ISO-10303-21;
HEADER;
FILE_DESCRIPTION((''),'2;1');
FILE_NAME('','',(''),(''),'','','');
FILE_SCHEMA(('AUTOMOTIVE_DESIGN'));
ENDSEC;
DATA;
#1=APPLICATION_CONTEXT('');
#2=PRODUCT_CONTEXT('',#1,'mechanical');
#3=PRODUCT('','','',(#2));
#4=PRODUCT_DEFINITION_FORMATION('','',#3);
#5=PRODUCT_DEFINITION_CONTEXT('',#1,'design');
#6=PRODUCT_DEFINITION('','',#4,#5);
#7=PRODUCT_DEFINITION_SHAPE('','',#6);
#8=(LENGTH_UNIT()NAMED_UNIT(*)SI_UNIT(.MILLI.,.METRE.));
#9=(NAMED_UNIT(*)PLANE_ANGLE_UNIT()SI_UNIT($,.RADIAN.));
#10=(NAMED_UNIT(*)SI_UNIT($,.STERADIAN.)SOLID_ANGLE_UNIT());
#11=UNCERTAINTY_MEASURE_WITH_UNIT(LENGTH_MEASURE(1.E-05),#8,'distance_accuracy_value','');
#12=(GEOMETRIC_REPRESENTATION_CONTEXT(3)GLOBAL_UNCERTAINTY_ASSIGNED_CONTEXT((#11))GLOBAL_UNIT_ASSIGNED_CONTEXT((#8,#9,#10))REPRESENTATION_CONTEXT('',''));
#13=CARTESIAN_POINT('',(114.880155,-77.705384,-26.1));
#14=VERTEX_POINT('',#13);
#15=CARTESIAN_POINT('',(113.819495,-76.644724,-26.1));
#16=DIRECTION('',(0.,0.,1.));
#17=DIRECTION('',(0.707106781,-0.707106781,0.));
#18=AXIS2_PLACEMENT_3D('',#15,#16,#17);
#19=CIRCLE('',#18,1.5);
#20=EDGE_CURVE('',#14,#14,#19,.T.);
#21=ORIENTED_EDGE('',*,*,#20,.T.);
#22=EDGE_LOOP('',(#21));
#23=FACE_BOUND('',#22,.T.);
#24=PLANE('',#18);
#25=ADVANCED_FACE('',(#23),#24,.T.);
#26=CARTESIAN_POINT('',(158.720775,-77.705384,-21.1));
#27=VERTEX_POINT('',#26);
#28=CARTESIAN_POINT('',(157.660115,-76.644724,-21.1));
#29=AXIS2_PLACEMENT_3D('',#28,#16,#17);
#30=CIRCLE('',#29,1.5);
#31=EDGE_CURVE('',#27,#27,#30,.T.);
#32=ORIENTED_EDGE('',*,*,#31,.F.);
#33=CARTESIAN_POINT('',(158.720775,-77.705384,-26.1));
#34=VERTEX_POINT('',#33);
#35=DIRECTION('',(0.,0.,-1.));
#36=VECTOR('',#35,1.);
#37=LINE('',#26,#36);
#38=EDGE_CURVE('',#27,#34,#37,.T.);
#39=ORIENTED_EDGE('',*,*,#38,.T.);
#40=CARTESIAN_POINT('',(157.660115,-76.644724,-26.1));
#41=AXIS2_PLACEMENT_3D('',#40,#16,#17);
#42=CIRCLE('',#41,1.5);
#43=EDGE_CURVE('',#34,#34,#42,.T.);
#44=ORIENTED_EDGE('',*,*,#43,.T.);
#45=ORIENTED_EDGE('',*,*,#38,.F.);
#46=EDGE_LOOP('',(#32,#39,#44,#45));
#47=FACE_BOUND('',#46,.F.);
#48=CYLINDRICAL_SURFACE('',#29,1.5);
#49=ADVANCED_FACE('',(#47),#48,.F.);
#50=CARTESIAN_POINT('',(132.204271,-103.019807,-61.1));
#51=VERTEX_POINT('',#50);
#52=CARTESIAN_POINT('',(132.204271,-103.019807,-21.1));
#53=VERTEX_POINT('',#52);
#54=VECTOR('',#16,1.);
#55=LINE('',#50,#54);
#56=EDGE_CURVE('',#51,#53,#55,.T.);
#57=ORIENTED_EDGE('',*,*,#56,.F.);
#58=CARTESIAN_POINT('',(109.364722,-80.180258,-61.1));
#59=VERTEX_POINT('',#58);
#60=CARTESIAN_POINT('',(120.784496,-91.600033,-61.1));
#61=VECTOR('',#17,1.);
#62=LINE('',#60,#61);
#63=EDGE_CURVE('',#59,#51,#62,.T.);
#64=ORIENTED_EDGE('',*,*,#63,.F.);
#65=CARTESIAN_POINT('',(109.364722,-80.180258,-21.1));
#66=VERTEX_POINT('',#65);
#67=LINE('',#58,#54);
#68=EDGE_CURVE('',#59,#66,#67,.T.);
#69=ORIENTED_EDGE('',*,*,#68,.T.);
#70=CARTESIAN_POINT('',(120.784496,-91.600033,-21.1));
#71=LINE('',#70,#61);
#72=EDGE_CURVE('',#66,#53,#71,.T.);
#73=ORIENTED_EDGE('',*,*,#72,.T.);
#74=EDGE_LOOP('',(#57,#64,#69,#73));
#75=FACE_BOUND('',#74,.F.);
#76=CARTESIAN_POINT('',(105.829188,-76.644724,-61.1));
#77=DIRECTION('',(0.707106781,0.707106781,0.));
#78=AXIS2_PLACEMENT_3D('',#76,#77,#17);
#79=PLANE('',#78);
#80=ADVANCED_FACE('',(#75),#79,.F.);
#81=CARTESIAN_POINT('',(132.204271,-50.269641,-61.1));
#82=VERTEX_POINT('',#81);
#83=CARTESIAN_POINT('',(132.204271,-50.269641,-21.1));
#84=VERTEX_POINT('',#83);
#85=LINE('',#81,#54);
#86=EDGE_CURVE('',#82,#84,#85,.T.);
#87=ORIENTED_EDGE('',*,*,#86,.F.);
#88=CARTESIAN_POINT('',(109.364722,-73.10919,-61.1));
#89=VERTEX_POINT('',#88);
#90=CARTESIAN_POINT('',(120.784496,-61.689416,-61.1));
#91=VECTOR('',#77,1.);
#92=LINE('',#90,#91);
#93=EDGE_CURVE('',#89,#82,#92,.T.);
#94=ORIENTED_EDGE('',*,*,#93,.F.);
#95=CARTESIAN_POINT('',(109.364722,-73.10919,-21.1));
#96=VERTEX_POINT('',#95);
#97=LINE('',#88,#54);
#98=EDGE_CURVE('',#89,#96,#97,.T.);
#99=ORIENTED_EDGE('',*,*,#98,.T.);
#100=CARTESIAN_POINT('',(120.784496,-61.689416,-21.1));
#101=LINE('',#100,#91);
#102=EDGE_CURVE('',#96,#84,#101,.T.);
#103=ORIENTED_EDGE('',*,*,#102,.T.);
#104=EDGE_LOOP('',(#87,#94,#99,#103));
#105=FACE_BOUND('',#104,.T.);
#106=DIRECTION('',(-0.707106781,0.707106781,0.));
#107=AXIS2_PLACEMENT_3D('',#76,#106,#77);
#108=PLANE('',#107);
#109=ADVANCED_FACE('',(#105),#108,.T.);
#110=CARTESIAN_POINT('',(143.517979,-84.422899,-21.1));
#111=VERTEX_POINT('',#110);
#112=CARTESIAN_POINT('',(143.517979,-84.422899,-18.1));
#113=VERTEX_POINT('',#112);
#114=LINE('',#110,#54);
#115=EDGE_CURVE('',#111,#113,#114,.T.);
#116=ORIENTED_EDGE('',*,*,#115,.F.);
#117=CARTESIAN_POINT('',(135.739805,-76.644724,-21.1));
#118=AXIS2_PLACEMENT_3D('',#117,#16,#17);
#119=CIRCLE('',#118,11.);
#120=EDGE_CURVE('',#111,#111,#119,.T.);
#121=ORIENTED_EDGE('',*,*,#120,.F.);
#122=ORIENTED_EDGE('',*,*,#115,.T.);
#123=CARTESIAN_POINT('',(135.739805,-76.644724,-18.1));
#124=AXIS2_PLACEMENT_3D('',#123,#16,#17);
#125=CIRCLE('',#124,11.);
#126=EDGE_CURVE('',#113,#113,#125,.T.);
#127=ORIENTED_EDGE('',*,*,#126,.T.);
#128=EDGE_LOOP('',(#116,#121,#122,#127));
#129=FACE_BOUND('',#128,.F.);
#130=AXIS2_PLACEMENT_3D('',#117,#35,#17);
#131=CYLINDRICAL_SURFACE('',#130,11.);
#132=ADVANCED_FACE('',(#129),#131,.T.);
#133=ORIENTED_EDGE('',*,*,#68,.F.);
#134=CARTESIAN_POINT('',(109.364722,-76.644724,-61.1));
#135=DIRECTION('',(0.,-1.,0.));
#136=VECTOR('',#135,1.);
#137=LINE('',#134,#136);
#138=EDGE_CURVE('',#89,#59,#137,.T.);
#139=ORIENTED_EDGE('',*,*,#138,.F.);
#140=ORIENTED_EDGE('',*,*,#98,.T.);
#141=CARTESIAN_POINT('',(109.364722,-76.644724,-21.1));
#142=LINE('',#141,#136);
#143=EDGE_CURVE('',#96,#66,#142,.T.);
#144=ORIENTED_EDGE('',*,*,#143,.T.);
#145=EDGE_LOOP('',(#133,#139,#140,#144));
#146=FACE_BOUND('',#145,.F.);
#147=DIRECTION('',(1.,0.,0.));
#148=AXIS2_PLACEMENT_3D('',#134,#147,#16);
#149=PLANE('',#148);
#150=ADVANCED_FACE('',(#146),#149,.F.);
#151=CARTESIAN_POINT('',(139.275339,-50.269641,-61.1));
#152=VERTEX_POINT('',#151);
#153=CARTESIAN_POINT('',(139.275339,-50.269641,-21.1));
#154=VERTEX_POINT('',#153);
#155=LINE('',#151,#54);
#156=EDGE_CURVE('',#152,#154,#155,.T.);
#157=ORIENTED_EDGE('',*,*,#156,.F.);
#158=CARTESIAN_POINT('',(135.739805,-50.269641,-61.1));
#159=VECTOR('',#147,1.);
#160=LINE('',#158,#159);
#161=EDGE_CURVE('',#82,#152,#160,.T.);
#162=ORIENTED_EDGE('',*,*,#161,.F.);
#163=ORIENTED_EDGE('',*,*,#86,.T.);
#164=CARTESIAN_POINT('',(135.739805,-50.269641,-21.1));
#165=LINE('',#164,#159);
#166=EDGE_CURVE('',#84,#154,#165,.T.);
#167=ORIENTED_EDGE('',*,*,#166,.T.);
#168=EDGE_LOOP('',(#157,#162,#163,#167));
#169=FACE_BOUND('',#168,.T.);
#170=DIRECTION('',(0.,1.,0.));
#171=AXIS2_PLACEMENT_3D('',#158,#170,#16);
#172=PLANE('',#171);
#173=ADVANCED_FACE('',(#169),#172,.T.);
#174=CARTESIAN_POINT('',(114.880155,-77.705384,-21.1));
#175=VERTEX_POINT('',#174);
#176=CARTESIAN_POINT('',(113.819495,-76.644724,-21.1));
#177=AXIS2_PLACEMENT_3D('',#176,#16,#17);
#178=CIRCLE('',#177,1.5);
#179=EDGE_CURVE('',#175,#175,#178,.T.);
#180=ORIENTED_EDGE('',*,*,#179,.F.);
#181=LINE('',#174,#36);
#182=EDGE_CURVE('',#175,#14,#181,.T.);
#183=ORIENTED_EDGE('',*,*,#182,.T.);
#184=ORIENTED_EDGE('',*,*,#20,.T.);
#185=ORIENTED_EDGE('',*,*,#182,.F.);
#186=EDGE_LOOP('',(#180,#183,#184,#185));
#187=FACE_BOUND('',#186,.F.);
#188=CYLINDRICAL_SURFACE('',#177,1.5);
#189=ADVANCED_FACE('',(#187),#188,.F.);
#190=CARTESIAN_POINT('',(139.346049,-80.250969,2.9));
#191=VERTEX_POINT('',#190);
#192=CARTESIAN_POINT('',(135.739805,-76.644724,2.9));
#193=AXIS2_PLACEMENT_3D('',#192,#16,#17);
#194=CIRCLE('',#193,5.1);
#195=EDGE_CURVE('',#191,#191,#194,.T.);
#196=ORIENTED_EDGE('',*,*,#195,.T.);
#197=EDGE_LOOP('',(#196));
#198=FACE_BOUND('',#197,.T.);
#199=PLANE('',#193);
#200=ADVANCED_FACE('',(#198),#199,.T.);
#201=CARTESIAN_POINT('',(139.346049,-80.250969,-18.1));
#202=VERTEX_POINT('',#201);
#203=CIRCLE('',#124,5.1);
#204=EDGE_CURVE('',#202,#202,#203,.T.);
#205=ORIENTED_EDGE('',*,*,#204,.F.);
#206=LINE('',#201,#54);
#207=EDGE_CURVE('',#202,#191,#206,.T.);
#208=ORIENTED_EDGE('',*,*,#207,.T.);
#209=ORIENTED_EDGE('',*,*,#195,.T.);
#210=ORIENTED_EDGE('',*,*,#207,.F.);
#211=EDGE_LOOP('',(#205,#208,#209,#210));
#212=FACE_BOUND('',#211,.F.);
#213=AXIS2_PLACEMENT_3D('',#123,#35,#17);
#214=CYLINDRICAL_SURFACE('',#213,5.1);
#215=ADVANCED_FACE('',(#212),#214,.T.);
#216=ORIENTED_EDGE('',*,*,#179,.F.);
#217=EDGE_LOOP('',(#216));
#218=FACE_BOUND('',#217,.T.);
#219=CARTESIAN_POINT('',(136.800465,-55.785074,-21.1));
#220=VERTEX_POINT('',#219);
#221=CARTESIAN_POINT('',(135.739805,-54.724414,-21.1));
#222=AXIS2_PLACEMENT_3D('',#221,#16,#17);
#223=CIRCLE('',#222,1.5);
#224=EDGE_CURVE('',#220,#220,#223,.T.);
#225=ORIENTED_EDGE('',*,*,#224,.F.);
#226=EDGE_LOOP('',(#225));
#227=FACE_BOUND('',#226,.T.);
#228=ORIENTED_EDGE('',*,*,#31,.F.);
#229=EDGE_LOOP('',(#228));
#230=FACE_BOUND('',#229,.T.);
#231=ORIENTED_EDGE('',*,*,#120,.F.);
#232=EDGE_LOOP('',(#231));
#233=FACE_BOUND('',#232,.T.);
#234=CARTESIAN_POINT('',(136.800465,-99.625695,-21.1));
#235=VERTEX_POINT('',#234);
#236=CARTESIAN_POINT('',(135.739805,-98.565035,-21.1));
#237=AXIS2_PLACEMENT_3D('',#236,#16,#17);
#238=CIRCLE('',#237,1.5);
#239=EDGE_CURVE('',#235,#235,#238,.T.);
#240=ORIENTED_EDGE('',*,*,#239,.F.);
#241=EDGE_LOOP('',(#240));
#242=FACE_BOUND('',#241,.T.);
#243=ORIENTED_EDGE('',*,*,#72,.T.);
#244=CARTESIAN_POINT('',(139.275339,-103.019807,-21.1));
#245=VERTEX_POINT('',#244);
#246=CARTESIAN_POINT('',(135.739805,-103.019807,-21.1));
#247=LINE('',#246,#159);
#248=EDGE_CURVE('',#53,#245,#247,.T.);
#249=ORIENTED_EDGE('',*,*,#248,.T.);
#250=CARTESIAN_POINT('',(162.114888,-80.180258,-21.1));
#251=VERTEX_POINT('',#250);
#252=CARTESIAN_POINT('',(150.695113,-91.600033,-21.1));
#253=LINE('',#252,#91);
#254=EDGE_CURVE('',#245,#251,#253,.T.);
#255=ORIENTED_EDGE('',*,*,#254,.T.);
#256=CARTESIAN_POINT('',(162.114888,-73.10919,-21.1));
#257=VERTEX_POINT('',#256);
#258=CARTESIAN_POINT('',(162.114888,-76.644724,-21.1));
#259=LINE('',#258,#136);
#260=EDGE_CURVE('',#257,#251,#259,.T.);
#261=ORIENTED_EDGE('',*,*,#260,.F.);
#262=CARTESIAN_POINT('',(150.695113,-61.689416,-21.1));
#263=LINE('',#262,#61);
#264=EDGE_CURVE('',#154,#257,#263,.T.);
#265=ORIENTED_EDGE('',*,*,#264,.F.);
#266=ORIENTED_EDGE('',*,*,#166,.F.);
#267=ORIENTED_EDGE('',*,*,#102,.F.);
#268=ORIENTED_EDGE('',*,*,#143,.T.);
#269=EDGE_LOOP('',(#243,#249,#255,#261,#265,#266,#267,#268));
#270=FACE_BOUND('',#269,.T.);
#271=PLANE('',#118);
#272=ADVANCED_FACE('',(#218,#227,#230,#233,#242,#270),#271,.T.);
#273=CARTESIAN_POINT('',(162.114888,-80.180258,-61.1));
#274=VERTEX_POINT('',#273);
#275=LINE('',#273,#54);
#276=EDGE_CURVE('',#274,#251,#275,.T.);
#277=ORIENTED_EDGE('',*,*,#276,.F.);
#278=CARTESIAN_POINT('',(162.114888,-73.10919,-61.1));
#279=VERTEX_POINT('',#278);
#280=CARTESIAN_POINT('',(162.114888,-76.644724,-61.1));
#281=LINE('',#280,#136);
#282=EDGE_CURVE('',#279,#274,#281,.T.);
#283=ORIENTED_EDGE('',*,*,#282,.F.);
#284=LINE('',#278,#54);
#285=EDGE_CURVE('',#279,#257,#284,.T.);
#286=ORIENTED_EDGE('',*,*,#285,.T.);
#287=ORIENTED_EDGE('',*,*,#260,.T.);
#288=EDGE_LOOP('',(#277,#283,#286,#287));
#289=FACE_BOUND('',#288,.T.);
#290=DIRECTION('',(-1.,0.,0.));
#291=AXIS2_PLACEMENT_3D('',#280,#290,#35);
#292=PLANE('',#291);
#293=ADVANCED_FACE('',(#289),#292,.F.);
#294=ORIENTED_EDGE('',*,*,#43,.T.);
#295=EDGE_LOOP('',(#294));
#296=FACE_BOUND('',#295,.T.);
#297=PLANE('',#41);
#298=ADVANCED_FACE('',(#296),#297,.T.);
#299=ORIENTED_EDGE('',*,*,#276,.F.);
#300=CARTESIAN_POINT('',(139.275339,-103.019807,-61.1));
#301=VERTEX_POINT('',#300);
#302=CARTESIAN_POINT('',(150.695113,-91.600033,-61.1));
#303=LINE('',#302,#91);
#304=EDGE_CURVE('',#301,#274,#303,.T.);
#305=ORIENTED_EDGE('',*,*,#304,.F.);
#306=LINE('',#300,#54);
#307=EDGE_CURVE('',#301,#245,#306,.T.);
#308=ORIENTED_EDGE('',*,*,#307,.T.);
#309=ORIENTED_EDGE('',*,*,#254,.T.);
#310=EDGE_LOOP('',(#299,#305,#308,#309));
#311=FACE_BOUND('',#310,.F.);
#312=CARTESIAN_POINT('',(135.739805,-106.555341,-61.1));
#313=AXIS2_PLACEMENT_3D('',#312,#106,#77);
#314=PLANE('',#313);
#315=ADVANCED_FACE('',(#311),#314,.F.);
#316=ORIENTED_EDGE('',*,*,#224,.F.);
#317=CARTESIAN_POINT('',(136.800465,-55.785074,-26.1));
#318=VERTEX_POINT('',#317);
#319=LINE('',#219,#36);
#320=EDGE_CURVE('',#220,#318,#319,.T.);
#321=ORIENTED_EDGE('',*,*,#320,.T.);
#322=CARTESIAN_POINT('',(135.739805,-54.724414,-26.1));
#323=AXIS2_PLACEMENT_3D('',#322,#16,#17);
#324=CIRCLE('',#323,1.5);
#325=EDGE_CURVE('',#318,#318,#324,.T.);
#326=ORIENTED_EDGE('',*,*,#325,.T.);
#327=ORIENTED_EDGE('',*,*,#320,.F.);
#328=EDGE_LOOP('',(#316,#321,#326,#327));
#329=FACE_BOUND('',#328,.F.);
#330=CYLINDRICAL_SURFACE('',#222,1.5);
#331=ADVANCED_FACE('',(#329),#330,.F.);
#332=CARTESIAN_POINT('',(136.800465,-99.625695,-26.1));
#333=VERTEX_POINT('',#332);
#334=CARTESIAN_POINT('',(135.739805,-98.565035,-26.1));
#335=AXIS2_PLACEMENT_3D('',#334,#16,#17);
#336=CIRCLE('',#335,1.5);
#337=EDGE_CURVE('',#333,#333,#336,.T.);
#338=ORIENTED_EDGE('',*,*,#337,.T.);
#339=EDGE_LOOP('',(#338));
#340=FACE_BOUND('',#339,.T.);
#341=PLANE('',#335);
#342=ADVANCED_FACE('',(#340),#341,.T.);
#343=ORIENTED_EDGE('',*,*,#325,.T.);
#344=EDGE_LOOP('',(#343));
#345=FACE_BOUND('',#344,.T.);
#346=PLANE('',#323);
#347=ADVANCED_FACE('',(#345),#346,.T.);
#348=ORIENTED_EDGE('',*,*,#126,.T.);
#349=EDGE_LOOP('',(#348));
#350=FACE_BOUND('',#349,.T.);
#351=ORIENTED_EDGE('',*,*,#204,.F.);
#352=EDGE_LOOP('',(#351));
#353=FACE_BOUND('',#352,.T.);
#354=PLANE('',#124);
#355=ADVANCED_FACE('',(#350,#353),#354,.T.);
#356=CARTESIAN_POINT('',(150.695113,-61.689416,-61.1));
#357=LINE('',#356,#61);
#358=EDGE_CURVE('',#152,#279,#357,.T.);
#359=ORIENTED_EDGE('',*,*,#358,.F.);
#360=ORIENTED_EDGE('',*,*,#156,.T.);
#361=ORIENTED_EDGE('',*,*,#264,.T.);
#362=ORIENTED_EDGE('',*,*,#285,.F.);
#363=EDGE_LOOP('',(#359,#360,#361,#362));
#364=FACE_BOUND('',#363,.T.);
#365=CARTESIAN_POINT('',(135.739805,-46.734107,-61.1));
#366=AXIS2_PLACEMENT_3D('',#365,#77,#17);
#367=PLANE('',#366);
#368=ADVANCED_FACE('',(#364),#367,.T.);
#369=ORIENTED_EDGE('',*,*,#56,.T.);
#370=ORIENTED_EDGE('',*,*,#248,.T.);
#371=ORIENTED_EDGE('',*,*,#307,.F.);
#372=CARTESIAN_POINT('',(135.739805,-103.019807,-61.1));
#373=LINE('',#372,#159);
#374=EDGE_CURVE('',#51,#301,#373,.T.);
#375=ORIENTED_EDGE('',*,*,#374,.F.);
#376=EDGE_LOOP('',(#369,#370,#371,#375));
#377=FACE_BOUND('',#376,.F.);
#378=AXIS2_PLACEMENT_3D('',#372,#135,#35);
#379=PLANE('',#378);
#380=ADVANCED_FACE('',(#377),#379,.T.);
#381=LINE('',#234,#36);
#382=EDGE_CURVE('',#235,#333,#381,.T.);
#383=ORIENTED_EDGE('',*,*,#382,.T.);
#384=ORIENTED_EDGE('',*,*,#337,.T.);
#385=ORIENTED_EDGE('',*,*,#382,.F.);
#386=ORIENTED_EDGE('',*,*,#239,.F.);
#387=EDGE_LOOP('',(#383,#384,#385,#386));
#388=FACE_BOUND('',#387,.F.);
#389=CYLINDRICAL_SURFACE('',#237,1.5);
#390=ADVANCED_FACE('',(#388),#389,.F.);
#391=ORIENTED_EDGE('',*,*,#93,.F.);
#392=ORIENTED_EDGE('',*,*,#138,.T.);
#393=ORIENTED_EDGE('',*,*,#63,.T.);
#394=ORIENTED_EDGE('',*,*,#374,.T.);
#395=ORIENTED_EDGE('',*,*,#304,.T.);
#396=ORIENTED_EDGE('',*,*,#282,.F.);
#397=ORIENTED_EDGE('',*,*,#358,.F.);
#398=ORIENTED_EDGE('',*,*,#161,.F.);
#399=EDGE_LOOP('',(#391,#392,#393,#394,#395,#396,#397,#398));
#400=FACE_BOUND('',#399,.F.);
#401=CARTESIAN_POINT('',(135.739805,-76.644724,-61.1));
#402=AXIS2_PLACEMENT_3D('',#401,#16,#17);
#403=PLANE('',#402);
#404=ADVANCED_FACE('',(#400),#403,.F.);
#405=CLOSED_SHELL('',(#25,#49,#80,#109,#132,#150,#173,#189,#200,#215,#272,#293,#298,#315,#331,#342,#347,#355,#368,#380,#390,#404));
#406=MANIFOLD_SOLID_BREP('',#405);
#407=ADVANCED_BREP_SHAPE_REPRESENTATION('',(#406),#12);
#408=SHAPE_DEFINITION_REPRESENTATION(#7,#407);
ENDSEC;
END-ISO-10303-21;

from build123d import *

# Parameters (mm, degrees)
SKETCH018_W             = 42.3
SKETCH018_H             = 42.3
PAD005_DEPTH            = 40
SKETCH019_R             = 11
PAD006_DEPTH            = 3
SKETCH020_R             = 5.1
PAD007_DEPTH            = 21
SKETCH022_R             = 1.5
POCKET011_DEPTH         = 5
CHAMFER001_SIZE         = 5
BODY006_PLACEMENT_ANGLE = 45


with BuildPart() as part:
    # Sketch018 → Pad005 (new body)
    with BuildSketch(Plane.XY):
        Rectangle(SKETCH018_W, SKETCH018_H)
    extrude(amount=PAD005_DEPTH)

    # Sketch019 (on Face6 of Pad005) → Pad006 (join)
    with BuildSketch(Plane.XY.offset(40)):
        Circle(SKETCH019_R)
    extrude(amount=PAD006_DEPTH)

    # Sketch020 (on Face8 of Pad006) → Pad007 (join)
    with BuildSketch(Plane.XY.offset(43)):
        Circle(SKETCH020_R)
    extrude(amount=PAD007_DEPTH)

    # Sketch022 (on Face5 of Pad007) → Pocket011 (cut)
    with BuildSketch(Plane.XY.offset(40)):
        with Locations((-15.5, 15.5)):
            Circle(SKETCH022_R)
        with Locations((15.5, 15.5)):
            Circle(SKETCH022_R)
        with Locations((15.5, -15.5)):
            Circle(SKETCH022_R)
        with Locations((-15.5, -15.5)):
            Circle(SKETCH022_R)
    extrude(amount=-POCKET011_DEPTH, mode=Mode.SUBTRACT)

    # Chamfer001
    chamfer001_edges = [part.edges().sort_by_distance(p)[0] for p in [
        (21.15, 21.15, 20),
        (21.15, -21.15, 20),
        (-21.15, 21.15, 20),
        (-21.15, -21.15, 20),
    ]]
    chamfer(chamfer001_edges, length=CHAMFER001_SIZE)


with BuildPart() as part_1:
    # Body006 placement: moved
    add(part.part.moved(Location((135.7398047638, -76.644724306, -61.1))).rotate(Axis((135.7398047638, -76.644724306, -61.1), (0, 0, -1)), BODY006_PLACEMENT_ANGLE))


solid = part_1.part
